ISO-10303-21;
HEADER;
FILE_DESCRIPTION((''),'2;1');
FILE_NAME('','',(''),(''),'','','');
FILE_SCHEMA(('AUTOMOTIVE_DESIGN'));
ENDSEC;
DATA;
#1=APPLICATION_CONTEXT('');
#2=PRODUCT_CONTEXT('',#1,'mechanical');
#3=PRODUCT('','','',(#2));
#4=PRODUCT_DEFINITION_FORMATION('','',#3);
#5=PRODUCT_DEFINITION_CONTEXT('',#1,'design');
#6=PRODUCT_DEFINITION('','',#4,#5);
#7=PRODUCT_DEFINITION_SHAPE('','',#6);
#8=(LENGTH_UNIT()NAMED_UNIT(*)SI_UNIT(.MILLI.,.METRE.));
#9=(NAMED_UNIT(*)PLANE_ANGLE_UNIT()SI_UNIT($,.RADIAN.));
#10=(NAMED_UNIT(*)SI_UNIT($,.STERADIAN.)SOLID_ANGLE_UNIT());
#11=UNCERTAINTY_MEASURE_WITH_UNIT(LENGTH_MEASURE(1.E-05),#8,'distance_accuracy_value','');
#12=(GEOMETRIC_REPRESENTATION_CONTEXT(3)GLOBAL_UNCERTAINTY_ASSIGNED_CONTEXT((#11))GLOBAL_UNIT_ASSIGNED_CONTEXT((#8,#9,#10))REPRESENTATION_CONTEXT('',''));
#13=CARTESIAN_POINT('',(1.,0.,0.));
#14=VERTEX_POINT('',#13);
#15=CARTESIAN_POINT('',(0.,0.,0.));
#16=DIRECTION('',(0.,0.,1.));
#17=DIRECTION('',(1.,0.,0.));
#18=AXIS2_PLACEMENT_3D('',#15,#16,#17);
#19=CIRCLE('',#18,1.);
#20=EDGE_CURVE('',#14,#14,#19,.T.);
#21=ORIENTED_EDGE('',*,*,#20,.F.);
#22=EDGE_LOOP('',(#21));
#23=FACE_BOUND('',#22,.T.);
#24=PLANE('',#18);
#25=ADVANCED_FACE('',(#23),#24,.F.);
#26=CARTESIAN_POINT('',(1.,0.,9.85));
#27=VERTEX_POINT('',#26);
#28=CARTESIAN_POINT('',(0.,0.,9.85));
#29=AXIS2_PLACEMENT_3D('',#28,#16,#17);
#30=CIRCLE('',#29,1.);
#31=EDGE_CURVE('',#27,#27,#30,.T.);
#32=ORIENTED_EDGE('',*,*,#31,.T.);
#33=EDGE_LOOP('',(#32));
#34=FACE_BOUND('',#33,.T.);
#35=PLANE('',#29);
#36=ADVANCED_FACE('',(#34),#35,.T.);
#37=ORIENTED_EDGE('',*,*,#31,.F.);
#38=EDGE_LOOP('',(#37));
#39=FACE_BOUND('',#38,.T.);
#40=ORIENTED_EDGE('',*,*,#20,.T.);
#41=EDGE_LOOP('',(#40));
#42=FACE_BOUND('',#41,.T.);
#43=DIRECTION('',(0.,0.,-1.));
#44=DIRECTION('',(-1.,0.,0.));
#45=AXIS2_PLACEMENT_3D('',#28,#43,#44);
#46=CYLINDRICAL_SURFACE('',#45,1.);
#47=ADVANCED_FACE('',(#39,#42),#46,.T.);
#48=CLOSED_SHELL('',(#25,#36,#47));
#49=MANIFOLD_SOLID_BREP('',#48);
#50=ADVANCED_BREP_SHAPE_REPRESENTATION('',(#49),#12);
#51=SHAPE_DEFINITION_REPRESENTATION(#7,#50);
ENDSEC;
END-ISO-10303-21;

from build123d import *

# Parameters (mm, degrees)
SKETCH_1_R      = 1
EXTRUDE_2_DEPTH = 9.85


with BuildPart() as part:
    # 草图1 → 凸台-拉伸2 (new body)
    with BuildSketch(Plane.XY):
        Circle(SKETCH_1_R)
    extrude(amount=EXTRUDE_2_DEPTH)


solid = part.part
